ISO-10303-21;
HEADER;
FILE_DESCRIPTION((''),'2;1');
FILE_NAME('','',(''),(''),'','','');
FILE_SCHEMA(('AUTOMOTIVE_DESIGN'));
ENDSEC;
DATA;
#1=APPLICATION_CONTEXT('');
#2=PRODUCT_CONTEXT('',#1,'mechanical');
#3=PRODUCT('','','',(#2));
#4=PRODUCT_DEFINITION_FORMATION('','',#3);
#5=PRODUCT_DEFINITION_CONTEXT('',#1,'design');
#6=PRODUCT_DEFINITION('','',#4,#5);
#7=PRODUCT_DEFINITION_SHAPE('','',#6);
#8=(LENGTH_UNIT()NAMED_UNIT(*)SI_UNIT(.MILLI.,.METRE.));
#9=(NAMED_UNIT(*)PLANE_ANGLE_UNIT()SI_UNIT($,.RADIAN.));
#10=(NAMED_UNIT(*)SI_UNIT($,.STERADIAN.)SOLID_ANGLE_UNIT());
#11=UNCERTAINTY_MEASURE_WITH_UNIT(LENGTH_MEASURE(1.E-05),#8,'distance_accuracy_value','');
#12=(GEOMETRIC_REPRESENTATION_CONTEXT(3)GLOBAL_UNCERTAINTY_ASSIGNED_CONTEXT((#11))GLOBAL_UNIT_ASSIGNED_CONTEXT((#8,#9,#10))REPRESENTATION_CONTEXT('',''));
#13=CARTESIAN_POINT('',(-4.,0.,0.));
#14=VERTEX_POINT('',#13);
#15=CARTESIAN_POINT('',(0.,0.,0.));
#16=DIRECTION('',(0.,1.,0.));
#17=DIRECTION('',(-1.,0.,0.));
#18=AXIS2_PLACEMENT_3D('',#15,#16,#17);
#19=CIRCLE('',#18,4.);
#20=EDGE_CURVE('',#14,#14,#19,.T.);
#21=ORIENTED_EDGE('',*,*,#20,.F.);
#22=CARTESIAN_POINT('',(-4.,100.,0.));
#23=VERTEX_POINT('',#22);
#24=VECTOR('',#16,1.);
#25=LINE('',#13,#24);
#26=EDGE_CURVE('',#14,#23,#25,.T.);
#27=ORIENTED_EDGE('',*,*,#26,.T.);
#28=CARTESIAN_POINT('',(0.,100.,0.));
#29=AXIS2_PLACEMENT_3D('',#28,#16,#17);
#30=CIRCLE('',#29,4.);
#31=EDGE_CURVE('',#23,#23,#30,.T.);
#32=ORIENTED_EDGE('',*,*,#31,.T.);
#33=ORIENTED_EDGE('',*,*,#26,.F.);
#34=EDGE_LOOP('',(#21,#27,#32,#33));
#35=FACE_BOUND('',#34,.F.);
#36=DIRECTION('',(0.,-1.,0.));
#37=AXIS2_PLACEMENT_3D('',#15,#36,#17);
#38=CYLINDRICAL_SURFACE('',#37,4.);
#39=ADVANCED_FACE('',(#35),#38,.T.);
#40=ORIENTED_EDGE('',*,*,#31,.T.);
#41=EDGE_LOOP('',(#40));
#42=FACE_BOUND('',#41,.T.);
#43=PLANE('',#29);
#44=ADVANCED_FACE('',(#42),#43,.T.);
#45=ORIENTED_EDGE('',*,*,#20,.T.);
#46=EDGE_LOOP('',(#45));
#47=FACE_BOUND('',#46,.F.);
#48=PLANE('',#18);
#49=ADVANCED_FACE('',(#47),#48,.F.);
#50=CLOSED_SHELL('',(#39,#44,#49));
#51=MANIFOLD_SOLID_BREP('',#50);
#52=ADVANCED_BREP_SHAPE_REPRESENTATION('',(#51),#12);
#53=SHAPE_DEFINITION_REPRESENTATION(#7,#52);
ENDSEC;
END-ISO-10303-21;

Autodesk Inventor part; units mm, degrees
ref_plane "YZ Plane" through (0, 0, 0) normal (1, 0, 0) x (0, 1, 0)
ref_plane "XZ Plane" through (0, 0, 0) normal (0, 1, 0) x (-1, 0, 0)
ref_plane "XY Plane" through (0, 0, 0) normal (0, 0, 1) x (1, 0, 0)
sketch "Sketch1" plane through (0, 0, 0) normal (0, 1, 0) x (-1, 0, 0)
  circle A0 centre (0, 0) radius 4
  dimension "d0" = 8
extrude "Extrusion1" add sketch "Sketch1" along normal blind 100
thread "Thread1" size "M8x1.25" class "6g" standard "ANSI Metric M Profile" full length
properties part number "Threaded Rod 100mm"
